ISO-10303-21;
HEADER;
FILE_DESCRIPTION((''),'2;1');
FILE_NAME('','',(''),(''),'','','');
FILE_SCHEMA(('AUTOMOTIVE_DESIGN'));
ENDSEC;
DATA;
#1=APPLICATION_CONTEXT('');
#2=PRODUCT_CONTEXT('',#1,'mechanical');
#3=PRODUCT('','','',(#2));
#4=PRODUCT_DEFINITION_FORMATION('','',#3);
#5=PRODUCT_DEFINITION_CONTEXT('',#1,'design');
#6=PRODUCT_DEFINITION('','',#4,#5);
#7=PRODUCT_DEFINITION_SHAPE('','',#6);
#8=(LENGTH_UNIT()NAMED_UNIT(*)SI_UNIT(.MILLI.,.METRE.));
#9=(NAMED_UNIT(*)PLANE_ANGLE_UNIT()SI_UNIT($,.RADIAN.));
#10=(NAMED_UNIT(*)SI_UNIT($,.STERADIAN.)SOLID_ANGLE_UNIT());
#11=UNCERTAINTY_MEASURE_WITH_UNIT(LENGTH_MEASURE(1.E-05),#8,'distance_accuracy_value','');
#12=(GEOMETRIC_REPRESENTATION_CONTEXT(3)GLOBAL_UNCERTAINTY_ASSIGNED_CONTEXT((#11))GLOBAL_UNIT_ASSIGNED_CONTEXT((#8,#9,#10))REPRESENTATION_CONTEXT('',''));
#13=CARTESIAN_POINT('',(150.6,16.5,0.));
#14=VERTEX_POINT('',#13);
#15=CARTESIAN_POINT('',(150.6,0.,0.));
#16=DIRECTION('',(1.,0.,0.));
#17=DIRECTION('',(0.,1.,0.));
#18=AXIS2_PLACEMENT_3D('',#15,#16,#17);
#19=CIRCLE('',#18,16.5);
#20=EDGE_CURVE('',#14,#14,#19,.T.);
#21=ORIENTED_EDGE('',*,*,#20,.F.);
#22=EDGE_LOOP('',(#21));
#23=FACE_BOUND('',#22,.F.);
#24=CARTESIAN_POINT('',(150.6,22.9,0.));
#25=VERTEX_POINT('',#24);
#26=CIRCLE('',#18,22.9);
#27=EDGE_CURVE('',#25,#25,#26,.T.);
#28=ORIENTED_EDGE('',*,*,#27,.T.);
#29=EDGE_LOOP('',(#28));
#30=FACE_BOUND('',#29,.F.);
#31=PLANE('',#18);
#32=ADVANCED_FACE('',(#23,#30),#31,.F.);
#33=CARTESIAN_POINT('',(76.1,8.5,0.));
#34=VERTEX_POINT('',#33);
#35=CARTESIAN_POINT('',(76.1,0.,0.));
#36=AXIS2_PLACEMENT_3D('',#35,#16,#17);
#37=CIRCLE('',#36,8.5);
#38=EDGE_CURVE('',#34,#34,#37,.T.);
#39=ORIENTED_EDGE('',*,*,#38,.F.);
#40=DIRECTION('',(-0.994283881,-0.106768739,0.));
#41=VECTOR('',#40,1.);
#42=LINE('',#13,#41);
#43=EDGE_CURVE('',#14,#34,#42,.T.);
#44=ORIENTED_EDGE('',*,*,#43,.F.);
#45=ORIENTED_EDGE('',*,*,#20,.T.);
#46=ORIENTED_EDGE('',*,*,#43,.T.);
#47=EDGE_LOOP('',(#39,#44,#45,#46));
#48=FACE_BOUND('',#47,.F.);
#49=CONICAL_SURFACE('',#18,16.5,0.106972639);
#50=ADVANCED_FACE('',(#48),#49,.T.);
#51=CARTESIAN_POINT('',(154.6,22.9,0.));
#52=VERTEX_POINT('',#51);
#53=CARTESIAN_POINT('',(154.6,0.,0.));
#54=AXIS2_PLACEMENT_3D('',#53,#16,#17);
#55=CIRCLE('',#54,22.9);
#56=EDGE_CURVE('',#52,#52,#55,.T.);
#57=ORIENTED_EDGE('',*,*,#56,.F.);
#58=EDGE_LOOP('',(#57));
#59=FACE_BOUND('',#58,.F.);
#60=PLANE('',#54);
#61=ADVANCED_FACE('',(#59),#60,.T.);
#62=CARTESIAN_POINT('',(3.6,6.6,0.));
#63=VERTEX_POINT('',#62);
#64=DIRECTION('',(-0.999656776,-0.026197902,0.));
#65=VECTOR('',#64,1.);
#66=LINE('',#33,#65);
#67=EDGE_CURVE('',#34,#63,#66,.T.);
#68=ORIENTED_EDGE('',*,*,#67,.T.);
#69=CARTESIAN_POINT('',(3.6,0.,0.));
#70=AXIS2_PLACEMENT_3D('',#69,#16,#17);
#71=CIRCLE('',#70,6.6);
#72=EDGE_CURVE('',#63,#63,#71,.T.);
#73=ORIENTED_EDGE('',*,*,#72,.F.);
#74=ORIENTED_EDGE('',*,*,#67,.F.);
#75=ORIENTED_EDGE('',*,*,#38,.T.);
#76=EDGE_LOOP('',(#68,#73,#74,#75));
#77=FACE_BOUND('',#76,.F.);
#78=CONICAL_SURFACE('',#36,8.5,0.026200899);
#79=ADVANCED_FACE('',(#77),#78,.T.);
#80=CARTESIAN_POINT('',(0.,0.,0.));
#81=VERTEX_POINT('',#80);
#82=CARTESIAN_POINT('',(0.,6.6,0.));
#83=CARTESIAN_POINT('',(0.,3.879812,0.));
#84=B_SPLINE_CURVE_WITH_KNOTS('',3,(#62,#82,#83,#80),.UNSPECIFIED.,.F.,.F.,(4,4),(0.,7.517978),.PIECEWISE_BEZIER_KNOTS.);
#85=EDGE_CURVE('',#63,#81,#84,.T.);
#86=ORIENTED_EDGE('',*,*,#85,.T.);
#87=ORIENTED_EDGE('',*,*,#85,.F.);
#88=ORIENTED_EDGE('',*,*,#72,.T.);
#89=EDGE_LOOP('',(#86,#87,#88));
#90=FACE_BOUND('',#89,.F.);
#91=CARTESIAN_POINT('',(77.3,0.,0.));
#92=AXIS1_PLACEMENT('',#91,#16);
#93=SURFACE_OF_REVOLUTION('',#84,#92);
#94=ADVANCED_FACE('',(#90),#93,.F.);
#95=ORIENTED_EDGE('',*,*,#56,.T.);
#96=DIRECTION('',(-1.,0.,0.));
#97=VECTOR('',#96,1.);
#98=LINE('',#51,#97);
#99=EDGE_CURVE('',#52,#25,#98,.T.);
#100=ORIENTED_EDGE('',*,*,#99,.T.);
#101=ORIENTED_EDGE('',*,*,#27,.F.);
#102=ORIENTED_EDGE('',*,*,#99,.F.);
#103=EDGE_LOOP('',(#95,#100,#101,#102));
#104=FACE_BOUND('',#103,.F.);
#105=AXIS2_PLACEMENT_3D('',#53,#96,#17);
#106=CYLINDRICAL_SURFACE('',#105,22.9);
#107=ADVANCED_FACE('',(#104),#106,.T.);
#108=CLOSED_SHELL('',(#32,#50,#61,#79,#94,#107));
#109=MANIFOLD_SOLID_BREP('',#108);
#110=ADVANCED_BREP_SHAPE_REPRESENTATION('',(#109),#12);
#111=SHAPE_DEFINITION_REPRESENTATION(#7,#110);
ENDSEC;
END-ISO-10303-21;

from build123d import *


with BuildPart() as f1:
    # F0 (on Top) → F1 (revolve)
    with BuildSketch(Plane.XY):
        with BuildLine():
            add(Edge.make_bspline(
                [(3.6, 6.6), (0, 6.6), (0, 3.879812), (0, 0)],
                knots=[0, 0, 0, 0, 7.517978, 7.517978, 7.517978, 7.517978], degree=3))
            Line((0, 0), (154.6, 0))
            Line((154.6, 0), (154.6, 22.9))
            Line((154.6, 22.9), (150.6, 22.9))
            Line((150.6, 22.9), (150.6, 16.5))
            Line((150.6, 16.5), (76.1, 8.5))
            Line((76.1, 8.5), (3.6, 6.6))
        make_face()
    revolve(axis=Axis((77.3, 0, 0), (1, 0, 0)))


solid = f1.part
